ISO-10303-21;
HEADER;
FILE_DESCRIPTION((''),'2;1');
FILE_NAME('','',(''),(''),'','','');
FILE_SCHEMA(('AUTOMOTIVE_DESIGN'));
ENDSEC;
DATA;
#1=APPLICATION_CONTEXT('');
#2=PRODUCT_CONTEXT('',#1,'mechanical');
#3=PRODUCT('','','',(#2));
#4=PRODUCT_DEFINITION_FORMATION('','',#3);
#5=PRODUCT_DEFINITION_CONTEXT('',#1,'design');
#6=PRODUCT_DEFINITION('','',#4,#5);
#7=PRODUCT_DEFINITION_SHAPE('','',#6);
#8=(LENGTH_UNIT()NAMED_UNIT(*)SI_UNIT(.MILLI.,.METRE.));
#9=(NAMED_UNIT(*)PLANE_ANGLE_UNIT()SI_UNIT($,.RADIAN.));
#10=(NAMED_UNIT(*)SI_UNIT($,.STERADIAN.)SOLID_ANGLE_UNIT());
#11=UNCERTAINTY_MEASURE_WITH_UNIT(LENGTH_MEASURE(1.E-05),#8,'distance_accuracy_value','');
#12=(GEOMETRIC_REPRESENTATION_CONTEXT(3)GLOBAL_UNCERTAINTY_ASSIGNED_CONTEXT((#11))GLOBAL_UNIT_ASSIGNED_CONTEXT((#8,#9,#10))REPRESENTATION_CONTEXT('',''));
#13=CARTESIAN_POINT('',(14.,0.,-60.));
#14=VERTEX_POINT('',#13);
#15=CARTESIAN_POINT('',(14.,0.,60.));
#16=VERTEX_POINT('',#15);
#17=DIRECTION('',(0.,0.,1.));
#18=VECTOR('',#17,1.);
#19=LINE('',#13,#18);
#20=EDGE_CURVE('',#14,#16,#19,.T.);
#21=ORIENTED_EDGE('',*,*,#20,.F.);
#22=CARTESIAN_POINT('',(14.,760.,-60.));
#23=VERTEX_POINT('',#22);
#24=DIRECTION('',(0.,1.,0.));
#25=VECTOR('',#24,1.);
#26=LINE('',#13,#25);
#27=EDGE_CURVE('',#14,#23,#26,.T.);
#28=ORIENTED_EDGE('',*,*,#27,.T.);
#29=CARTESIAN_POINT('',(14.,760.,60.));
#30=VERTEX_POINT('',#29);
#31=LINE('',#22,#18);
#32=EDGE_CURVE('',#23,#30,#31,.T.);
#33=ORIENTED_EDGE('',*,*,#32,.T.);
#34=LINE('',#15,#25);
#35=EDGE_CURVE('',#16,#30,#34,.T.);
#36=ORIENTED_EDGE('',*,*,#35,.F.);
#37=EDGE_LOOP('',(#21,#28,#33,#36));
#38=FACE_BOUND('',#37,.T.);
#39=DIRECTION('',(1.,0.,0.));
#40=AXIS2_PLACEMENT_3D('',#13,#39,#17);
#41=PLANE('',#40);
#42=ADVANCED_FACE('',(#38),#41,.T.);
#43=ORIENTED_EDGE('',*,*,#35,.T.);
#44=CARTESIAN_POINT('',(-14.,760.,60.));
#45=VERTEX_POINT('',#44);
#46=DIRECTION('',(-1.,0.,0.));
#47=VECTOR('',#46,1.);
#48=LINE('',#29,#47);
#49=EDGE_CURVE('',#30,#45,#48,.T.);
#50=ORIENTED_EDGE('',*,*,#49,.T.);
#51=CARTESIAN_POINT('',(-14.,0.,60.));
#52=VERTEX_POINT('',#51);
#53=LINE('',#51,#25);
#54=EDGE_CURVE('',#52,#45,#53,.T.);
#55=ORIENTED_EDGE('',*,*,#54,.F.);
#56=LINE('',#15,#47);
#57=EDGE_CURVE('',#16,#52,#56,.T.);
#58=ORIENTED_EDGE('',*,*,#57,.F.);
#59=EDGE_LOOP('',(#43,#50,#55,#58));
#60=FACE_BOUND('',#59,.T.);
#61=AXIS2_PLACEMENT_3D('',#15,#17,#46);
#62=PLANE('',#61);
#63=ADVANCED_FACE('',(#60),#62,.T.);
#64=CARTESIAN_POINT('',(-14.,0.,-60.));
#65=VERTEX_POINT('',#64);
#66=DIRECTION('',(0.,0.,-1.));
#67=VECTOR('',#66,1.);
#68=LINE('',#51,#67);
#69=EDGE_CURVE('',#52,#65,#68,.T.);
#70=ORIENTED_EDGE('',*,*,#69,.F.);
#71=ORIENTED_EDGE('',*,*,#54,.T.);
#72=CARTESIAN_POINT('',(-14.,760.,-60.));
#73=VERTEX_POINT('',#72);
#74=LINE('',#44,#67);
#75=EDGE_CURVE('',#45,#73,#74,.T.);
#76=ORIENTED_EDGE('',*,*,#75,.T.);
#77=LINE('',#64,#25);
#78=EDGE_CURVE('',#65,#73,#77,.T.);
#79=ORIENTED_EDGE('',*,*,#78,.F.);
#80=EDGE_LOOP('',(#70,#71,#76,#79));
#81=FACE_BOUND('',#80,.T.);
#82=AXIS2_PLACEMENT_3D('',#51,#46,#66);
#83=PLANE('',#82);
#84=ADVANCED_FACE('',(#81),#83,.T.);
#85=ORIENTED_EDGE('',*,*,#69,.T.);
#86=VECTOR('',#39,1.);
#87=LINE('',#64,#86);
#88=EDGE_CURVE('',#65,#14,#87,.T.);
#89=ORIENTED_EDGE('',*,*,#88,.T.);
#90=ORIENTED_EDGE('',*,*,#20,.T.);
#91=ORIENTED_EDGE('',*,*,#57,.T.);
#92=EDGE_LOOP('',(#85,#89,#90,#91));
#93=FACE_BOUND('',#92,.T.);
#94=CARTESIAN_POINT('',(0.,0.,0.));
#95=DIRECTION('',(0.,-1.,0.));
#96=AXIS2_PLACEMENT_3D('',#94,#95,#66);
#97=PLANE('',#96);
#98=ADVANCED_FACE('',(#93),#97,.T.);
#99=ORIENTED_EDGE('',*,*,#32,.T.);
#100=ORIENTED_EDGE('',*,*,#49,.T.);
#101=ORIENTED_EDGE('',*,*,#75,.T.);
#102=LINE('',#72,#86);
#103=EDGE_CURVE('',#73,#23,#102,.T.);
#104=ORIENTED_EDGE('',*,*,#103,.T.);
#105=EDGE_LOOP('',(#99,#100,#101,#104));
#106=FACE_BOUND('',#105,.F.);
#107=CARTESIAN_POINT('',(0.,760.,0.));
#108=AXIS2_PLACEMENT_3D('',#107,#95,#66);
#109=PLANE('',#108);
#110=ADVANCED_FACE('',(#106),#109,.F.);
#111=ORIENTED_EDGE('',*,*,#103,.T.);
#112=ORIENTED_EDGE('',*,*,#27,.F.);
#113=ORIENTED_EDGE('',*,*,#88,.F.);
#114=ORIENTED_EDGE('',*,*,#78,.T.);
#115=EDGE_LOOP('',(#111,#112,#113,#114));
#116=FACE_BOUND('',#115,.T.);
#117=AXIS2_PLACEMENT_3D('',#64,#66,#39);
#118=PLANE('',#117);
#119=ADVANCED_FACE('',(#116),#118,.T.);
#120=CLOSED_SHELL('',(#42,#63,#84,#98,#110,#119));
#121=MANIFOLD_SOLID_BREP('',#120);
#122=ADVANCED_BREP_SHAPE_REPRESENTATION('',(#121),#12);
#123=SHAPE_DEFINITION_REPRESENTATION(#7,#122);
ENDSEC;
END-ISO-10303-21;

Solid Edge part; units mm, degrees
sketch "Sketch1" plane through (0, 0, 0) normal (0, -1, 0) x (1, 0, 0)
  line L0 (-14, -60) -> (14, -60)
  line L1 (14, -60) -> (14, 60)
  line L2 (14, 60) -> (-14, 60)
  line L3 (-14, 60) -> (-14, -60)
extrude "Protrusion1" add sketch "Sketch1" against normal blind 760
properties material "Wood, Pine"
